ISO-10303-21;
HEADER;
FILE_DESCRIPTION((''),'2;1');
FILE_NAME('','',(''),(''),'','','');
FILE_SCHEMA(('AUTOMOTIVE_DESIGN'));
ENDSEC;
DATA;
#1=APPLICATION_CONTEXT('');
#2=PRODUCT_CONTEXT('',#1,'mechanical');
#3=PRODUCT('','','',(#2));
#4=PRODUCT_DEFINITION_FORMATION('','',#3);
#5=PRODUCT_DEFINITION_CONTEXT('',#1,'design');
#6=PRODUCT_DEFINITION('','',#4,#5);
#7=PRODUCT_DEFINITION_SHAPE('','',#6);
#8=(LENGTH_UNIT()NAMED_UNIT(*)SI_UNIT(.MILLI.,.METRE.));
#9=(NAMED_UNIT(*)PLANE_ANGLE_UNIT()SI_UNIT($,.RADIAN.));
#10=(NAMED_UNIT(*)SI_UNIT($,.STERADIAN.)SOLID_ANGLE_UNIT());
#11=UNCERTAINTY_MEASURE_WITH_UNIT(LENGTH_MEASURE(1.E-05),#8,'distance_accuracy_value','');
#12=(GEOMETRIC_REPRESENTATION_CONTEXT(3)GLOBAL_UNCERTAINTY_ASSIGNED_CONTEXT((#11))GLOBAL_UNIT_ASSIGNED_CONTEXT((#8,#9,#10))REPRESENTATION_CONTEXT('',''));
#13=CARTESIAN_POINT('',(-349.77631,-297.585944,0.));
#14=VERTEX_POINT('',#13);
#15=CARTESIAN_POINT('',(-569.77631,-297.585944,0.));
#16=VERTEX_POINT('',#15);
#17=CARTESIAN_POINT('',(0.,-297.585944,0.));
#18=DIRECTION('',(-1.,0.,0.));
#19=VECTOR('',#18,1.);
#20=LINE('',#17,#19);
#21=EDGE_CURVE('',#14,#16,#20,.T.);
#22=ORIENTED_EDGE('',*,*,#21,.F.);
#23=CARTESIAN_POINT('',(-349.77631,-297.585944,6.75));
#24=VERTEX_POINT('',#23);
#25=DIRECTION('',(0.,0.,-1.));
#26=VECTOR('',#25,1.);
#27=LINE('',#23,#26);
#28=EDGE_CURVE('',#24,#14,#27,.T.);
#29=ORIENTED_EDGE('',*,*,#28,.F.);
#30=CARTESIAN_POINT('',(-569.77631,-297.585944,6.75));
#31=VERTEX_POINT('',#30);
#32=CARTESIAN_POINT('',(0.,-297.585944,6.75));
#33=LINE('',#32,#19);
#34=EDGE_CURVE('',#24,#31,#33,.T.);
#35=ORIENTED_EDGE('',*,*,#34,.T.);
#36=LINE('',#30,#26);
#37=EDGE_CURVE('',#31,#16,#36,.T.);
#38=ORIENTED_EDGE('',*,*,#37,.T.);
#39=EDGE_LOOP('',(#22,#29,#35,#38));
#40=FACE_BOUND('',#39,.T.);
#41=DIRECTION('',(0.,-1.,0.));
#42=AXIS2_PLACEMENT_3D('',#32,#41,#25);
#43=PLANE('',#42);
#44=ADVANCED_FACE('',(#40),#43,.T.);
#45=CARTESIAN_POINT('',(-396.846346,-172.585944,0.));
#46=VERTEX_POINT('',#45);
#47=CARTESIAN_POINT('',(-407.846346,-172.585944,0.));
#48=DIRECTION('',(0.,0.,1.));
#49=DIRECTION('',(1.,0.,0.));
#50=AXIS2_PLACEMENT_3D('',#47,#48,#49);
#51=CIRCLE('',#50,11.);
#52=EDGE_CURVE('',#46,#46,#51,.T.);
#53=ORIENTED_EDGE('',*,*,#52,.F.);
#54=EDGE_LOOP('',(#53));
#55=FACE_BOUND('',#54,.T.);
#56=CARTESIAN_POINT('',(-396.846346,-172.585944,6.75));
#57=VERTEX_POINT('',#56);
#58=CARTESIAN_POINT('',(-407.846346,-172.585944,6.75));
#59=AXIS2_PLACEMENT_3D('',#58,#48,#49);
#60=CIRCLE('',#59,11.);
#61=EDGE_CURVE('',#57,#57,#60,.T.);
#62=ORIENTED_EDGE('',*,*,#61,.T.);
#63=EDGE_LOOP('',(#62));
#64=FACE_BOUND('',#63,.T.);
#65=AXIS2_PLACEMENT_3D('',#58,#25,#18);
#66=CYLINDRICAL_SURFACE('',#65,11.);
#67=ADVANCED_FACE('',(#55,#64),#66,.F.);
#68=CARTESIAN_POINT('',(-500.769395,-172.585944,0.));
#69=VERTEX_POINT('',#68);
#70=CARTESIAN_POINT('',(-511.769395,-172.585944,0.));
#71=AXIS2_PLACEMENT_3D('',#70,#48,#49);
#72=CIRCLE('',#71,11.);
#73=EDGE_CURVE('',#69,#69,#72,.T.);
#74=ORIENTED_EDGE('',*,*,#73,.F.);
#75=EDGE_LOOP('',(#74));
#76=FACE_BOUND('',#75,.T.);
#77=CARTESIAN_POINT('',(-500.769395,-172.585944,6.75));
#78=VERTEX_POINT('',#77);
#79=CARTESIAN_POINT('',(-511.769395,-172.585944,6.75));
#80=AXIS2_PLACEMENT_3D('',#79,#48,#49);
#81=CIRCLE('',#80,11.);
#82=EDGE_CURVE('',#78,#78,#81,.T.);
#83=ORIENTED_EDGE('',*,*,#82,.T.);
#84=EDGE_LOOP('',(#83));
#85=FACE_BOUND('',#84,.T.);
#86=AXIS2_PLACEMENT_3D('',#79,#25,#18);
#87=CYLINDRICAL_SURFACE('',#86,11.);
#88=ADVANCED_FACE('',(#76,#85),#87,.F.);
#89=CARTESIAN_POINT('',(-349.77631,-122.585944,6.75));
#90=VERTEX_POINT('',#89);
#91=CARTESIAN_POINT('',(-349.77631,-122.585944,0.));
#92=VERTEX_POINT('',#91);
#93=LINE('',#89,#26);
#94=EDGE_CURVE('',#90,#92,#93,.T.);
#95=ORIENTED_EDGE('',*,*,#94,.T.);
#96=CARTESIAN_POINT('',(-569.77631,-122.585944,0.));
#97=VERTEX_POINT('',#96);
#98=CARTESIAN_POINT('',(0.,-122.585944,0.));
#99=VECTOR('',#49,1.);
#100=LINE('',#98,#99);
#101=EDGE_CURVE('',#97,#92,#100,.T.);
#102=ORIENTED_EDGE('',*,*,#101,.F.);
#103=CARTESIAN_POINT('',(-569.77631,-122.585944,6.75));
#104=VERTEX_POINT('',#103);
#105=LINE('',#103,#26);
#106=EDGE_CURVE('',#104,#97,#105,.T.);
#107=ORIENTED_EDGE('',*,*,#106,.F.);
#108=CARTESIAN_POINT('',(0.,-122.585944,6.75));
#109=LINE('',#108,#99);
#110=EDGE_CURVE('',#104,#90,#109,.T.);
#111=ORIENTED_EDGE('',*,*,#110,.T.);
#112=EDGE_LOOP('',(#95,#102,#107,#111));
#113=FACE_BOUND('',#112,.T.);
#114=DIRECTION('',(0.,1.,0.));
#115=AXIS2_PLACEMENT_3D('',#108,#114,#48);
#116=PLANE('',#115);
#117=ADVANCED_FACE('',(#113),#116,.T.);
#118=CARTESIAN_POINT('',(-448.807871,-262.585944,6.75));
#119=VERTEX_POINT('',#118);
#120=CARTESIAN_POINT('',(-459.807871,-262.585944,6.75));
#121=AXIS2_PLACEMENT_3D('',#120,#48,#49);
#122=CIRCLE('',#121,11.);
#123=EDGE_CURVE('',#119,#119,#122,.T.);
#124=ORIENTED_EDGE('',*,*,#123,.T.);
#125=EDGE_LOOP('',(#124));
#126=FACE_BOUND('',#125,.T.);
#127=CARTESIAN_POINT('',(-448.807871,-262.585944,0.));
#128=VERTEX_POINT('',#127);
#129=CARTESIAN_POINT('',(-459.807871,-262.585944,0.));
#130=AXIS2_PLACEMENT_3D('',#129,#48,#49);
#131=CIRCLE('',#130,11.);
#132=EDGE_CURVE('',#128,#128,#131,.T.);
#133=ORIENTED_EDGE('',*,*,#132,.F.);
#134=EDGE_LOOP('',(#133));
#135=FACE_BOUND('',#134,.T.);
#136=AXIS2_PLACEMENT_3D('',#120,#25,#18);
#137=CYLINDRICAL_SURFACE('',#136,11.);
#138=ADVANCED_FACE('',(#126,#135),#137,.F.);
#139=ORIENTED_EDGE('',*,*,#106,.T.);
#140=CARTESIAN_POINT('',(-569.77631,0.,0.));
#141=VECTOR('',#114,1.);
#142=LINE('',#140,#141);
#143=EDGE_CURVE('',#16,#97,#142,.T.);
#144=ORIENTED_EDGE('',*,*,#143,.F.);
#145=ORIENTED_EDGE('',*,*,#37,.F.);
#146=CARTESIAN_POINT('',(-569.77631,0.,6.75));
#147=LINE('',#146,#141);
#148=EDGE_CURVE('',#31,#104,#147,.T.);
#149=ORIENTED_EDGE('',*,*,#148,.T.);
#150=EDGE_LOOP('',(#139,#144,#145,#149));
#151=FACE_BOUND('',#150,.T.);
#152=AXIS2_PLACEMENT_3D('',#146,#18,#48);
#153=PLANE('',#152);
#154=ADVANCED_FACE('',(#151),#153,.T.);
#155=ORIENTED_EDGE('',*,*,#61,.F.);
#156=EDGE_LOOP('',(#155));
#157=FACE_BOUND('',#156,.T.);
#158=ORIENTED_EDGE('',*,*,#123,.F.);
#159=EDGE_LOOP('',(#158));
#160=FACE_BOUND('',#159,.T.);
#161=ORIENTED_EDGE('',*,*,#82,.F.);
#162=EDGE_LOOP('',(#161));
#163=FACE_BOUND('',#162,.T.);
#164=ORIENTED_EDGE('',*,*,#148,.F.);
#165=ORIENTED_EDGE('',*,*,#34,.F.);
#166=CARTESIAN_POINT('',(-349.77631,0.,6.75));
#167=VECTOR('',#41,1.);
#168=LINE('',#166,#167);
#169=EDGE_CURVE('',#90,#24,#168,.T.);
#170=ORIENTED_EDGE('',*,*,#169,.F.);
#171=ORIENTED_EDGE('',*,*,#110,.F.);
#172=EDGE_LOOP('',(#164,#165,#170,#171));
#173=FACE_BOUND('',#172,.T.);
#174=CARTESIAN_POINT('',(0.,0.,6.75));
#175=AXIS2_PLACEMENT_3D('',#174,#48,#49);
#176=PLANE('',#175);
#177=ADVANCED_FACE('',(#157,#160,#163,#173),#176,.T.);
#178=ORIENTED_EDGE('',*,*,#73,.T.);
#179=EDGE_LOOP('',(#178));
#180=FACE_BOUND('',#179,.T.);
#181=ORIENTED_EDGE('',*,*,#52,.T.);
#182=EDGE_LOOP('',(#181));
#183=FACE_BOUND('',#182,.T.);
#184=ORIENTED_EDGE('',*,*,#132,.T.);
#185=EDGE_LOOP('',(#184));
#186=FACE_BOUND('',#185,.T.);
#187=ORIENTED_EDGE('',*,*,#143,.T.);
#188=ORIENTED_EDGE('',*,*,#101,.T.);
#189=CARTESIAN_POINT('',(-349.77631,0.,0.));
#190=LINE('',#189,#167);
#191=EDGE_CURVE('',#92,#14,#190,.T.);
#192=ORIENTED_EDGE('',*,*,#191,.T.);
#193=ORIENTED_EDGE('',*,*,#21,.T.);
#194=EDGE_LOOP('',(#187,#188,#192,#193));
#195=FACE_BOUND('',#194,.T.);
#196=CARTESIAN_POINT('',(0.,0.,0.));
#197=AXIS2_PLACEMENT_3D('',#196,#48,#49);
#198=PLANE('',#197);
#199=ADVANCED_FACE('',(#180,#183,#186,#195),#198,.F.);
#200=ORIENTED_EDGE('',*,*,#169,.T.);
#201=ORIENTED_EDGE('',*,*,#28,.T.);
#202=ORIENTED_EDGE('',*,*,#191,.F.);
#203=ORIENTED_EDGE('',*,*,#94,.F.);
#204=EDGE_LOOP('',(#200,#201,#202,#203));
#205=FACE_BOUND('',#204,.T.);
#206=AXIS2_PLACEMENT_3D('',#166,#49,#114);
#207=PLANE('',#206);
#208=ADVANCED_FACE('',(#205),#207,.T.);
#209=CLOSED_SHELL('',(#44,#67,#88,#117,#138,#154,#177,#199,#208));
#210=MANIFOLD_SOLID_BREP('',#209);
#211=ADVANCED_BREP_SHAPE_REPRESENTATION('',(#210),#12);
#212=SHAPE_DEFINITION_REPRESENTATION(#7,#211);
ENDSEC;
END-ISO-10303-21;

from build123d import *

# Parameters (mm, degrees)
SKETCH6_W           = 220
SKETCH6_H           = 175
SKETCH6_R           = 11
SKETCH6_R_2         = 24
BOSS_EXTRUDE1_DEPTH = 6.75


with BuildPart() as part:
    # Sketch6 → Boss-Extrude1 (new body)
    # profile 1 of 2: a face of its own
    with BuildSketch(Plane.XY):
        with Locations((-459.776309557, -210.085944494)):
            Rectangle(SKETCH6_W, SKETCH6_H)
        with Locations((-459.807870528, -262.585944494)):
            Circle(SKETCH6_R, mode=Mode.SUBTRACT)
        with Locations((-407.846346301, -172.585944494)):
            Circle(SKETCH6_R, mode=Mode.SUBTRACT)
        with Locations((-511.769394755, -172.585944494)):
            Circle(SKETCH6_R, mode=Mode.SUBTRACT)
        with Locations((-459.807870528, -202.585944494)):
            Circle(SKETCH6_R_2, mode=Mode.SUBTRACT)
    # profile 2 of 2: a face of its own
    with BuildSketch(Plane.XY):
        with Locations((-459.807870528, -202.585944494)):
            Circle(SKETCH6_R_2)
    extrude(amount=BOSS_EXTRUDE1_DEPTH)


solid = part.part
